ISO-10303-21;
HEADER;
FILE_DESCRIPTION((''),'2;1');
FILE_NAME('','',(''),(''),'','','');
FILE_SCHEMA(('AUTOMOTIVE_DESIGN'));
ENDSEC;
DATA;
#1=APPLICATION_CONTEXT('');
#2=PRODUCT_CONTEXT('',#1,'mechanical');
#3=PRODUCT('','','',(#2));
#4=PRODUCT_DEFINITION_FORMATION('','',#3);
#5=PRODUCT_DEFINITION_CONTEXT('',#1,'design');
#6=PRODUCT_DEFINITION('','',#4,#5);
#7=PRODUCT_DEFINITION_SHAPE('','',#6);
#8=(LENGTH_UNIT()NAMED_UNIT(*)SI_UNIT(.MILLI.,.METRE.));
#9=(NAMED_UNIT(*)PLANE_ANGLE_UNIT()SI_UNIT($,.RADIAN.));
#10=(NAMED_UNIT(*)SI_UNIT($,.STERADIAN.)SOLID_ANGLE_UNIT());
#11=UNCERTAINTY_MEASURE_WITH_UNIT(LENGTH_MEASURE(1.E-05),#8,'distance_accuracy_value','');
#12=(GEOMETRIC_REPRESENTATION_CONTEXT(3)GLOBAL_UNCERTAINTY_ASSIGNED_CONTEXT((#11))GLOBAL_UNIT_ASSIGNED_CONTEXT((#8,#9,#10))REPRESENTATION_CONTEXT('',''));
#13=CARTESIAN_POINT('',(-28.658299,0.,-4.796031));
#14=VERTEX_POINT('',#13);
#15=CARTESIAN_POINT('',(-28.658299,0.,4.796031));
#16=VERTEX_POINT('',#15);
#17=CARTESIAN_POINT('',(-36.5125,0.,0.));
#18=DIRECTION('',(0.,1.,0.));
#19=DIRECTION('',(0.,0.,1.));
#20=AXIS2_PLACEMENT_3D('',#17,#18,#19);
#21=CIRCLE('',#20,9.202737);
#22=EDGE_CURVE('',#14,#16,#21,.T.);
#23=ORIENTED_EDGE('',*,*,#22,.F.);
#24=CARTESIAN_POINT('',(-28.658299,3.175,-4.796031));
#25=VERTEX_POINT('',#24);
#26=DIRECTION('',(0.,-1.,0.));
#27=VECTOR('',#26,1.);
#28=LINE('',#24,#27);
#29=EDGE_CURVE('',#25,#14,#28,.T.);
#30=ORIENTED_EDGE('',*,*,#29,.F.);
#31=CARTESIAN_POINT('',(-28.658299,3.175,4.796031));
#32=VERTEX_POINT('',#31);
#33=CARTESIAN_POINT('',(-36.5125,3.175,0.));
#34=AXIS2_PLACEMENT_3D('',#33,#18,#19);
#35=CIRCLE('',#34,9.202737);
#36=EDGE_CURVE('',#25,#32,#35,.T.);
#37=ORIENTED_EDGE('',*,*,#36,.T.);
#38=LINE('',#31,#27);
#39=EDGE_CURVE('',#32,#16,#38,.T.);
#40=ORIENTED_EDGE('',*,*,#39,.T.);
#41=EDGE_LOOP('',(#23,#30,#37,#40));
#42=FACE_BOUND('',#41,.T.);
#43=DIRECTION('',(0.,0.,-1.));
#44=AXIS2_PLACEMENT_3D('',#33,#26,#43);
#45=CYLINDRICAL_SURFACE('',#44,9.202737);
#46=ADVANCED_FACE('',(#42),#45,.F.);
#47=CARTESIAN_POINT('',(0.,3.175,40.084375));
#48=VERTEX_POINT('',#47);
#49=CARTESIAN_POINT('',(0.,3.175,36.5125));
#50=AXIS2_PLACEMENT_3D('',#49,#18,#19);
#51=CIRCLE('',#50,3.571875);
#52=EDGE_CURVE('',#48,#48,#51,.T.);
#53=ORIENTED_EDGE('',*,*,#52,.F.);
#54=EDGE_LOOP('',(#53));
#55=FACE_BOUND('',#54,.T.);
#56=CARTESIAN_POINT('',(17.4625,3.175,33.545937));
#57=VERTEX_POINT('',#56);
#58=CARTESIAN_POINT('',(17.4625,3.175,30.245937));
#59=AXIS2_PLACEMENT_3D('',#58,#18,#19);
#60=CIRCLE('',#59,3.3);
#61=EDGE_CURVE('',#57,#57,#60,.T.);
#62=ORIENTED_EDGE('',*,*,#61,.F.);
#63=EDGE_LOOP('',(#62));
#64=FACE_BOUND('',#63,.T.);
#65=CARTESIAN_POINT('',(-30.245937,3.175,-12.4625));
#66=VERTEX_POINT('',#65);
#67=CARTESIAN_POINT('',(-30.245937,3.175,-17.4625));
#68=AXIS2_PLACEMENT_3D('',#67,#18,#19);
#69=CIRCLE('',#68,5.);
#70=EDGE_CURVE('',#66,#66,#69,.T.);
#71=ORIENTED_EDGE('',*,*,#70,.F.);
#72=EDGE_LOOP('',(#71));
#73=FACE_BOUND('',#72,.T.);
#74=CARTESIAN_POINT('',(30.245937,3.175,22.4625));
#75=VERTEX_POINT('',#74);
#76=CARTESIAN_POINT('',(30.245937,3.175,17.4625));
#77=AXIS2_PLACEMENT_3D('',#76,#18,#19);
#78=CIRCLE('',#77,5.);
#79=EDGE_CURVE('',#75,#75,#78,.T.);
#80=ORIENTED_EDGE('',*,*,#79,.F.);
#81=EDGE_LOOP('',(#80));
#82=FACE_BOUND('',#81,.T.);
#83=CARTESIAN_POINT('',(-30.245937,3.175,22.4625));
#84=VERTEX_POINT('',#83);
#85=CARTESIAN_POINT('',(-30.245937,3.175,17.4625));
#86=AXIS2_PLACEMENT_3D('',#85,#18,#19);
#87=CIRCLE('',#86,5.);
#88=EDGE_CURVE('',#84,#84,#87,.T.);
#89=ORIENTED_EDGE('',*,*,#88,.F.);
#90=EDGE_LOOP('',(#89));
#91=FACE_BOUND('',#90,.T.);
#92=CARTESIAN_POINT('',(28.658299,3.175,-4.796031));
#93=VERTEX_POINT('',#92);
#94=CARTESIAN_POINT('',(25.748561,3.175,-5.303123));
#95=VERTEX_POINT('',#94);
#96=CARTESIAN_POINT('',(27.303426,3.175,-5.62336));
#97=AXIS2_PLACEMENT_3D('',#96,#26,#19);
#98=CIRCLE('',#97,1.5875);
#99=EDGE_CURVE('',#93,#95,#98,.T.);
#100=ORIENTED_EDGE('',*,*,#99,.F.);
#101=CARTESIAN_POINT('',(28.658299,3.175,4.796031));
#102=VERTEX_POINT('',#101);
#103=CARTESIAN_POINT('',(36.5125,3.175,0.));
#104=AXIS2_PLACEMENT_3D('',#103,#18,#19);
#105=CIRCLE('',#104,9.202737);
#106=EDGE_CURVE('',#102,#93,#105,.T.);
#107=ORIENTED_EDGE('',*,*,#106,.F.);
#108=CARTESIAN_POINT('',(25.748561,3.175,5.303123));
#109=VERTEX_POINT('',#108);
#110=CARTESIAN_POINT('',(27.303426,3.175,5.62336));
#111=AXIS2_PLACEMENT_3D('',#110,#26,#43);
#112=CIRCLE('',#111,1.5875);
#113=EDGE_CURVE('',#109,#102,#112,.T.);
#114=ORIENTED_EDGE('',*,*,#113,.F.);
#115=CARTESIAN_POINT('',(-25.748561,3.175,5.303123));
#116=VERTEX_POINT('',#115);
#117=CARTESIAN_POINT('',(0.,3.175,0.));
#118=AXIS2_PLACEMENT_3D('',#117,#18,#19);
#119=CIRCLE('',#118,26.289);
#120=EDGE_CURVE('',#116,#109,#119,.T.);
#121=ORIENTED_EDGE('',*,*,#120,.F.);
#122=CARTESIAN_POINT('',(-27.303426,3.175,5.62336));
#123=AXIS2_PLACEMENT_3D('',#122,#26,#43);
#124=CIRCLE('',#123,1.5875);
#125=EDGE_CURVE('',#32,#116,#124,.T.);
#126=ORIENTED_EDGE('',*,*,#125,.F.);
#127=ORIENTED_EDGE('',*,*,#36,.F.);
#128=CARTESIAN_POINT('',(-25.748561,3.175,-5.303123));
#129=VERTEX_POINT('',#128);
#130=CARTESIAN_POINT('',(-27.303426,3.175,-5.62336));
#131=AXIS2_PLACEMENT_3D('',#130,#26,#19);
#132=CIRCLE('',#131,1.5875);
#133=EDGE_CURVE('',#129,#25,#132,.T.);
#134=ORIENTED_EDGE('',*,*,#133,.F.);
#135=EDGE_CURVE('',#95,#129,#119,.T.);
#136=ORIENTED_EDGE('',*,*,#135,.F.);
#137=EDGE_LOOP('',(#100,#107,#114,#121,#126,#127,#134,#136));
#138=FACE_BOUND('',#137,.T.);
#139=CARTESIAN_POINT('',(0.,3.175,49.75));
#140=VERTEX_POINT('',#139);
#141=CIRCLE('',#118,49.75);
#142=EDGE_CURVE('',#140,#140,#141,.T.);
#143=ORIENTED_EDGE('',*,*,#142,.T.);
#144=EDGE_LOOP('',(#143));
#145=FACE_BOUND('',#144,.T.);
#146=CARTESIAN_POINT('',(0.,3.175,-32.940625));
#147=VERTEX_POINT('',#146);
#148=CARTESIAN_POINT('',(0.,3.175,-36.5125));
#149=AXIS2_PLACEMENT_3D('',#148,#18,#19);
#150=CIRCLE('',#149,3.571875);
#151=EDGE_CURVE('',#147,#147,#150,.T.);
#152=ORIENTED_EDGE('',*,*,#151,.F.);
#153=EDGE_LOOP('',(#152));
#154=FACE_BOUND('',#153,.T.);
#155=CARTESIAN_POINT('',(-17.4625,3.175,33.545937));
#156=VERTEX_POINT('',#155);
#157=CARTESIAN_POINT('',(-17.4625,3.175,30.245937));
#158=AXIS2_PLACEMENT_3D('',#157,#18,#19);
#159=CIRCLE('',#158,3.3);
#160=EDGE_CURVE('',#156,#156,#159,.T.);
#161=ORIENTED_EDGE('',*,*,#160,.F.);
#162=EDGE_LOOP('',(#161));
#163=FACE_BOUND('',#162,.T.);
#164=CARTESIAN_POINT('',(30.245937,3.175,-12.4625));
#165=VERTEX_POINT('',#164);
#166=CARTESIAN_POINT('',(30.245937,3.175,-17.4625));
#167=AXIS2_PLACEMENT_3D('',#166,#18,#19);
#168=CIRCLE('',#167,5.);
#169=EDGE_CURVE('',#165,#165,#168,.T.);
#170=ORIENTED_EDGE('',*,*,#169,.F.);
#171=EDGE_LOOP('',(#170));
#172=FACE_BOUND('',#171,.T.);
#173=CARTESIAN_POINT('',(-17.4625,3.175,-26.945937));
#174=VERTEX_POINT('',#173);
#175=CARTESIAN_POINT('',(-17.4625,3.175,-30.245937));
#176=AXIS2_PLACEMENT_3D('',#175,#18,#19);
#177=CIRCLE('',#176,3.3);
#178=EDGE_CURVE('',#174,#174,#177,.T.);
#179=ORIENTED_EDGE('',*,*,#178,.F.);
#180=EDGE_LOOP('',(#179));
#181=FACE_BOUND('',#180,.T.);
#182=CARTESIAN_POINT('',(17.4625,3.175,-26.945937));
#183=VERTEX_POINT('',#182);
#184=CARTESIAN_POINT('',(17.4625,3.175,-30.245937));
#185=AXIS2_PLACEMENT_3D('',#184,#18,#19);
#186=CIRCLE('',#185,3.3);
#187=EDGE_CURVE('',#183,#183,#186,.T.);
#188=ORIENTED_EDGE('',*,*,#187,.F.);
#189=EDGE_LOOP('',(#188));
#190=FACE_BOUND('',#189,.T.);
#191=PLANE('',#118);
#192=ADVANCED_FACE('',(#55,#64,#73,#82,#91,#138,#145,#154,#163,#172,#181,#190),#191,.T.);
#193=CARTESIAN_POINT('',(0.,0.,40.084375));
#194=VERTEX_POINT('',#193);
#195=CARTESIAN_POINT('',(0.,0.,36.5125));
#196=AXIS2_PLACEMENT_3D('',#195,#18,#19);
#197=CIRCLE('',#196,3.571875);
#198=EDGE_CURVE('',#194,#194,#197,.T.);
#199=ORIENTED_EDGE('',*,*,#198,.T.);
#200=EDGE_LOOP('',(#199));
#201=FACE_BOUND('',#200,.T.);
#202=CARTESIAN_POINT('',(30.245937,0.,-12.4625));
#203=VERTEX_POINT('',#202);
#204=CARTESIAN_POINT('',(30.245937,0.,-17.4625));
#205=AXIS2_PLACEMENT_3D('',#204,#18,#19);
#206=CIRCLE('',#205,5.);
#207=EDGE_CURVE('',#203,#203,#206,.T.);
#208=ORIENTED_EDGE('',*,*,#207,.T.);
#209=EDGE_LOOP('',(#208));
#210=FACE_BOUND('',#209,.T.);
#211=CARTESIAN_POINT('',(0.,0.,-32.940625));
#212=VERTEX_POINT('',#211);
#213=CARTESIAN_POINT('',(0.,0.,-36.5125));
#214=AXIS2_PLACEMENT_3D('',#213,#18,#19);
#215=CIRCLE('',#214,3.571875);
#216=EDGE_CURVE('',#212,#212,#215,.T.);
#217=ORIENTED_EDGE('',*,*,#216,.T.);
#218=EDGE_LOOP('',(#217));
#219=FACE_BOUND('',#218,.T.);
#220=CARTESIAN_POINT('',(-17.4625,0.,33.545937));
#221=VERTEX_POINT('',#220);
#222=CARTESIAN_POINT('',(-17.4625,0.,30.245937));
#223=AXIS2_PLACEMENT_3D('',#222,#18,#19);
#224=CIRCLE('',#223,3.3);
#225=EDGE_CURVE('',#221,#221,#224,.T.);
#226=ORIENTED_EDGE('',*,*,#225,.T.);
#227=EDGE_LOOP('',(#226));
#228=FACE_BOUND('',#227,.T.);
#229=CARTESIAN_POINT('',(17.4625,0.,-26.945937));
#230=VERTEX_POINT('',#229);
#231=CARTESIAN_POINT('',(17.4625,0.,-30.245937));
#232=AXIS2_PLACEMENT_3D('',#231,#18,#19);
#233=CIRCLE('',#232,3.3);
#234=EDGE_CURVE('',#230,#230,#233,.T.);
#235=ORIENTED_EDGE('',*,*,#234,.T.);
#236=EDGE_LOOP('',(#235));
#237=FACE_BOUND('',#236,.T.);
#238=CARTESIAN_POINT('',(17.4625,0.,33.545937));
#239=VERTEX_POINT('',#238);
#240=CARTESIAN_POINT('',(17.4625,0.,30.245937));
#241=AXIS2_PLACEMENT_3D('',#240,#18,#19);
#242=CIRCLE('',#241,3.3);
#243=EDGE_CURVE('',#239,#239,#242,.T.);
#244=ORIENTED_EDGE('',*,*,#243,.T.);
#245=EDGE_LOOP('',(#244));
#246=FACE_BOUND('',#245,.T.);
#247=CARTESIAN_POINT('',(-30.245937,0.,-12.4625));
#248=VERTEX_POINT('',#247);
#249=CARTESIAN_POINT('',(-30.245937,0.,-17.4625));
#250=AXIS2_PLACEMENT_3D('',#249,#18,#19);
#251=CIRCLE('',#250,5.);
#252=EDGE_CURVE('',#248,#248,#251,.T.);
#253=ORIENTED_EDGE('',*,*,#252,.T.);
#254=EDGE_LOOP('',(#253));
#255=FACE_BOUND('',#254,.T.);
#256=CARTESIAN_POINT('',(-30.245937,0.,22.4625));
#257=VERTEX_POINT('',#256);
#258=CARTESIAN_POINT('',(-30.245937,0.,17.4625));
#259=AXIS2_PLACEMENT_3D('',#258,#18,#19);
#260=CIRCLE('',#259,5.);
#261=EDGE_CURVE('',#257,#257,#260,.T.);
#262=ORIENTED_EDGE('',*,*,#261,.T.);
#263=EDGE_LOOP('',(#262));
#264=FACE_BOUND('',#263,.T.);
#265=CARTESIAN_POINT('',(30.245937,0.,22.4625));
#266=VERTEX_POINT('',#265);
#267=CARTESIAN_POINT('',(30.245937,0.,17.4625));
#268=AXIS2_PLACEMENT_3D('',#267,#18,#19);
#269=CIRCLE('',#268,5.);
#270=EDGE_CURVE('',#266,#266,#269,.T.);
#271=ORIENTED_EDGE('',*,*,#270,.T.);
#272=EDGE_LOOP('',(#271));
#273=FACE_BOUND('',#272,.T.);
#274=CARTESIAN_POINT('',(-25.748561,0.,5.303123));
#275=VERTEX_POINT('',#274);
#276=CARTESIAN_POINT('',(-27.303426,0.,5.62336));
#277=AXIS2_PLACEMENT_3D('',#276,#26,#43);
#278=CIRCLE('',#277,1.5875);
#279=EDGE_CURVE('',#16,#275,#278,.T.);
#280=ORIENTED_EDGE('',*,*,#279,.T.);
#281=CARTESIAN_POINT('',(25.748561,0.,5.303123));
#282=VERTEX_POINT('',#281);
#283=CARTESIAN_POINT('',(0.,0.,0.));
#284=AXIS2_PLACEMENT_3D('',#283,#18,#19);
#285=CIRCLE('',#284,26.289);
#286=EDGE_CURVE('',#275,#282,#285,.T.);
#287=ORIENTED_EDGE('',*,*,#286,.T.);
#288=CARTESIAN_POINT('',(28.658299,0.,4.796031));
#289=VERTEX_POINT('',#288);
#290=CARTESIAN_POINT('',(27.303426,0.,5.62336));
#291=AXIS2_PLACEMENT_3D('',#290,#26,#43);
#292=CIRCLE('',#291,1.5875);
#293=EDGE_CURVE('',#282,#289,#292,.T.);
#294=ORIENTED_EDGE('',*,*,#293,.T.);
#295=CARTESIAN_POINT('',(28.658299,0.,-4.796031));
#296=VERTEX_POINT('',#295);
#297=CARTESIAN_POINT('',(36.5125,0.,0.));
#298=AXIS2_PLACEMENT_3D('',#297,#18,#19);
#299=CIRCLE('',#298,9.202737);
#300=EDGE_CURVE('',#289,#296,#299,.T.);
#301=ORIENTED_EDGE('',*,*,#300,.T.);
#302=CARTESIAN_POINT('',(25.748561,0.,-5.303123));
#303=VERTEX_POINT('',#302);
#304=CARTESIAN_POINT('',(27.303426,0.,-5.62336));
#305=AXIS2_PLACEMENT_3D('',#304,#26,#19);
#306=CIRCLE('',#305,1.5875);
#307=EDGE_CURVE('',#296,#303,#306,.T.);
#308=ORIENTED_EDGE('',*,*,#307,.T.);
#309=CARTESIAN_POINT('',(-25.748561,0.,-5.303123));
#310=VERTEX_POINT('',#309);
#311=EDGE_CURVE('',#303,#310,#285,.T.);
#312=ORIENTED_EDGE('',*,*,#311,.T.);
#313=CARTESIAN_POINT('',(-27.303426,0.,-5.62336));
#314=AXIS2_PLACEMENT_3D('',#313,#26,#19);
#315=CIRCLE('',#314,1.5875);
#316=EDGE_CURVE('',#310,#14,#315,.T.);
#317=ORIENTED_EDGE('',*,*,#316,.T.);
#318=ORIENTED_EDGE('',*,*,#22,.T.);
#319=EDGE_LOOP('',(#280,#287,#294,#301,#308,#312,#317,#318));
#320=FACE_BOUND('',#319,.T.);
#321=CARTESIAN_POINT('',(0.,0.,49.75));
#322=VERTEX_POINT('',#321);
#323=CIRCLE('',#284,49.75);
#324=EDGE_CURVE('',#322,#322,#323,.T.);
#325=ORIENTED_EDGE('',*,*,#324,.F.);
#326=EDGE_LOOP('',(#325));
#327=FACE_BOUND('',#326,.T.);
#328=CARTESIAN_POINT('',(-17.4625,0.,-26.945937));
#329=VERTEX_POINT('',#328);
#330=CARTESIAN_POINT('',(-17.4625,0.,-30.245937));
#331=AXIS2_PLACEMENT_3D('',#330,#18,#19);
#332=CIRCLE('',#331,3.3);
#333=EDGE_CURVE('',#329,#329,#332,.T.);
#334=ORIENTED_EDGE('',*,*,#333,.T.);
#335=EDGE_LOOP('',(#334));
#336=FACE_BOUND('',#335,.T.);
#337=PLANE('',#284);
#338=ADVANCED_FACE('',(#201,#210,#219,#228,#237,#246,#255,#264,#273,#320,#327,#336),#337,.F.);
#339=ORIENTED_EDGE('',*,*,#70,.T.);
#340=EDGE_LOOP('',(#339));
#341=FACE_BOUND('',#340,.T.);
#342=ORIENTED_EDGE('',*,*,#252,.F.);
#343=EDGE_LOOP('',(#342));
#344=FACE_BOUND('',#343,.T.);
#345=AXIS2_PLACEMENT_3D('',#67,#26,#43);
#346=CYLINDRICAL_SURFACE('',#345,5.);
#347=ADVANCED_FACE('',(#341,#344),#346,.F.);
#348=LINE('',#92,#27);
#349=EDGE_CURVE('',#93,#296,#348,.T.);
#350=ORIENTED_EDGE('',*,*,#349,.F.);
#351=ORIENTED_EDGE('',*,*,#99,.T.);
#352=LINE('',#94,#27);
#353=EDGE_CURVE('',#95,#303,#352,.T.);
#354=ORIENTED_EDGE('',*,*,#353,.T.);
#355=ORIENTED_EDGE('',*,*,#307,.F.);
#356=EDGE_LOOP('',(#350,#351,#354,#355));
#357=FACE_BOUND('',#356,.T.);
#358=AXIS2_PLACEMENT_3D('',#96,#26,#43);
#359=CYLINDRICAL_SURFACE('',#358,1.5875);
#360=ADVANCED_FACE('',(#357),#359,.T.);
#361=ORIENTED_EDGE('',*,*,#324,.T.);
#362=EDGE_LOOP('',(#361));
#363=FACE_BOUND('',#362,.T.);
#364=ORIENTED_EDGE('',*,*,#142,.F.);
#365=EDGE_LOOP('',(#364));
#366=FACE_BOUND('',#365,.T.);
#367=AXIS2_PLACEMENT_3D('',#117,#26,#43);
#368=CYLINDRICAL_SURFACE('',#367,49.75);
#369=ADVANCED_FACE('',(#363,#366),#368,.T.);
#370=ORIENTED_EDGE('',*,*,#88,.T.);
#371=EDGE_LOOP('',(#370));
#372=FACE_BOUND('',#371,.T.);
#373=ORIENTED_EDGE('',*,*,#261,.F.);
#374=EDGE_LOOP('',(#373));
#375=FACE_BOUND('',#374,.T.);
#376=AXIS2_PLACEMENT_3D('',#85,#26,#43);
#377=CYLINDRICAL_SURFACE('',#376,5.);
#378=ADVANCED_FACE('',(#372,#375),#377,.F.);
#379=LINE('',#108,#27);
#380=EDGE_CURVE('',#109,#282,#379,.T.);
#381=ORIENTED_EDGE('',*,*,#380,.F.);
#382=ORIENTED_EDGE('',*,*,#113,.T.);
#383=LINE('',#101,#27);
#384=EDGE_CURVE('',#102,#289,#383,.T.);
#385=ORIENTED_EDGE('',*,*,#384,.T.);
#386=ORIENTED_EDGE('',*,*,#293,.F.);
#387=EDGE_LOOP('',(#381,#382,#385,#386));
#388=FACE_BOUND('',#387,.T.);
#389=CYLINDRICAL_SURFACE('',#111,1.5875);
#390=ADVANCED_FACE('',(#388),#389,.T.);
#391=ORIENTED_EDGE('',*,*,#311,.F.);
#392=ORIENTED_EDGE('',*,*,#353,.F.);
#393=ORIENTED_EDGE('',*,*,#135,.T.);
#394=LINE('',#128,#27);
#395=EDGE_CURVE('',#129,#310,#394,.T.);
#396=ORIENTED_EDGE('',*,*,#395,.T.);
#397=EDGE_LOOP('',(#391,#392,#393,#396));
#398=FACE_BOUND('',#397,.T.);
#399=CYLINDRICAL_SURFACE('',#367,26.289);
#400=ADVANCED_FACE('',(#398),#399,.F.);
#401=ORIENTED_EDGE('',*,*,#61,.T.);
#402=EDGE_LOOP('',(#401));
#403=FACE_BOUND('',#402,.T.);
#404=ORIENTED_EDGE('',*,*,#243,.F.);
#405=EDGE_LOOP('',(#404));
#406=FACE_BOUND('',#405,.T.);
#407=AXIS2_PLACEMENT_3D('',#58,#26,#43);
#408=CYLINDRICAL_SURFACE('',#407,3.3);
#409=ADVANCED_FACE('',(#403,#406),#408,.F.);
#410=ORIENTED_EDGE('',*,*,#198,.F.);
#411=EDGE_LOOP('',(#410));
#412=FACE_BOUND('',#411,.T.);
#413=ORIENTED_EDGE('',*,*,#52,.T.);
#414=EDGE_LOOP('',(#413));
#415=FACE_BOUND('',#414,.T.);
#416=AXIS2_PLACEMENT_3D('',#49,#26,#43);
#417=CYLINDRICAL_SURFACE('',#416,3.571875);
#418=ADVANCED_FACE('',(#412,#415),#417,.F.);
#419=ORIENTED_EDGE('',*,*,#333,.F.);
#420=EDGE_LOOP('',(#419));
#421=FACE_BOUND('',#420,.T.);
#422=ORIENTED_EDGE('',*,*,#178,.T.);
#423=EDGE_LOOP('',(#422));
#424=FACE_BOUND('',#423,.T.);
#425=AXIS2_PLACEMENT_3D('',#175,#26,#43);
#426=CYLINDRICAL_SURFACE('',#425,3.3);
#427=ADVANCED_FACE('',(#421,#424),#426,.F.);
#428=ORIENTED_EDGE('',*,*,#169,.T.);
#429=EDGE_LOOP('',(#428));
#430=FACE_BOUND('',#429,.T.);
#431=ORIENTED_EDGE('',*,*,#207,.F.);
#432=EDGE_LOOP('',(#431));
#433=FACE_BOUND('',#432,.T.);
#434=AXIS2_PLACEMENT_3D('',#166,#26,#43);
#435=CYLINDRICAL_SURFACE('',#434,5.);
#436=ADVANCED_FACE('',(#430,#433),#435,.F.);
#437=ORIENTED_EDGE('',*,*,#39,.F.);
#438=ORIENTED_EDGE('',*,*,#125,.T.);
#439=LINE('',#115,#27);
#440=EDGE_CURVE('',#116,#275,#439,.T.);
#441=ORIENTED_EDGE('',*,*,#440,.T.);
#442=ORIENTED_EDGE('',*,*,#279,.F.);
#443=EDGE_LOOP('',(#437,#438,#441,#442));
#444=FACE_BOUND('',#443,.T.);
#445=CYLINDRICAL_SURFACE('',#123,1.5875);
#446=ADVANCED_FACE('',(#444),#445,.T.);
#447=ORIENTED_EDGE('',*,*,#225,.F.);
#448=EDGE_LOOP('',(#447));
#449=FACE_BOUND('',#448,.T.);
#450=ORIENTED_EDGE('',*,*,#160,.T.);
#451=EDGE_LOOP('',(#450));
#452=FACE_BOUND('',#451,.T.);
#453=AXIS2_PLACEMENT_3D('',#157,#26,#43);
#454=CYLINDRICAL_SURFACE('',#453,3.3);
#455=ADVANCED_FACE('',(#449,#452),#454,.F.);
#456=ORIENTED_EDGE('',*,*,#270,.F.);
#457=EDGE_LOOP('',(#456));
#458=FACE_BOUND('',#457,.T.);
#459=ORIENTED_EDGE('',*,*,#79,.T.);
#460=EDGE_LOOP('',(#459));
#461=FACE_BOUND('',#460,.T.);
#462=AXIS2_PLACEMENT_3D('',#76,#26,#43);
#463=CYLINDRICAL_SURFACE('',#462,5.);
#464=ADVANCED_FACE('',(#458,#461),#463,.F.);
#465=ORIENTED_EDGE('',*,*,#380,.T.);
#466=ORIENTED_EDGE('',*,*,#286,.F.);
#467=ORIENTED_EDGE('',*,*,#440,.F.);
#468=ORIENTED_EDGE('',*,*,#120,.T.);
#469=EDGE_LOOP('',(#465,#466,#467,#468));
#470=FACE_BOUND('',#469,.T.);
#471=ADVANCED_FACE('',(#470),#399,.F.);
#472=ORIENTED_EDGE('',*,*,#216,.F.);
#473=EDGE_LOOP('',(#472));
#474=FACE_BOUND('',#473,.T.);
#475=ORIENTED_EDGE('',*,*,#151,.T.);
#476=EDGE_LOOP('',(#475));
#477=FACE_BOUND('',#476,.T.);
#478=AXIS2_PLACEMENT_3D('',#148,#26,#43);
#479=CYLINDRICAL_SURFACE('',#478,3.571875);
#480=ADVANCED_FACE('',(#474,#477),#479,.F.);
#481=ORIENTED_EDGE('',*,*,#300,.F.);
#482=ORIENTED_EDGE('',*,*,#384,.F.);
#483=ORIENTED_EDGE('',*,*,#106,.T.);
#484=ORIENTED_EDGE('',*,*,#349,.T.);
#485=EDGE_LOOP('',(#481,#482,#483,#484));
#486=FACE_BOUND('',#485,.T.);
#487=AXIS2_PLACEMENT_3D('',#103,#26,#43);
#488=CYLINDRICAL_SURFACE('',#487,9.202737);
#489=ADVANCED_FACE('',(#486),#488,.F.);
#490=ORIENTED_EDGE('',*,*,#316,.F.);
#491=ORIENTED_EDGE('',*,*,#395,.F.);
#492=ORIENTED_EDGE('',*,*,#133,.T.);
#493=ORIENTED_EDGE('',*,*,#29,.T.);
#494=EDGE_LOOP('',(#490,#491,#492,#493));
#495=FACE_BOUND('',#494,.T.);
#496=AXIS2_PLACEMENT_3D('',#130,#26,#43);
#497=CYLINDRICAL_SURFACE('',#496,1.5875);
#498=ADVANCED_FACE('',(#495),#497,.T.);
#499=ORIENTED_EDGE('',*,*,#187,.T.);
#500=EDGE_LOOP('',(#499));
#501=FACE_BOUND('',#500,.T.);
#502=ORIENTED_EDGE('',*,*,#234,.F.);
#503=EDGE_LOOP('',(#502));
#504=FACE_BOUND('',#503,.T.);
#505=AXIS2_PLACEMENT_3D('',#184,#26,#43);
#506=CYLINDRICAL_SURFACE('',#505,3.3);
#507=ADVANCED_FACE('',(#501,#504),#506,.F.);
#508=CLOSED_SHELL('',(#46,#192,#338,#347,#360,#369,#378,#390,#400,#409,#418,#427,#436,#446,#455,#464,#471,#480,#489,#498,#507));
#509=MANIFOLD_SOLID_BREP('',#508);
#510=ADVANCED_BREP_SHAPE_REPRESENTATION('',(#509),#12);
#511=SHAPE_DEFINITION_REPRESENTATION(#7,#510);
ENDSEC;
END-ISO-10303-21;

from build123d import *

# Parameters (mm, degrees)
SKETCH1_R           = 49.75
SKETCH1_R_2         = 3.571875
SKETCH1_R_3         = 5
SKETCH1_R_4         = 3.3
BOSS_EXTRUDE1_DEPTH = 3.175


with BuildPart() as part:
    # Sketch1 → Boss-Extrude1 (new body)
    with BuildSketch(Plane(origin=(0, 0, 0), x_dir=(1, 0, 0), z_dir=(0, 1, 0))):
        with Locations(Location((0, 0, 0), (0, 0, 270))):
            Circle(SKETCH1_R)
        with Locations(Location((0, 36.5125, 0), (0, 0, 270))):
            Circle(SKETCH1_R_2, mode=Mode.SUBTRACT)
        with Locations(Location((0, -36.5125, 0), (0, 0, 270))):
            Circle(SKETCH1_R_2, mode=Mode.SUBTRACT)
        with Locations(Location((30.245937227, -17.4625, 0), (0, 0, 270))):
            Circle(SKETCH1_R_3, mode=Mode.SUBTRACT)
        with Locations(Location((17.4625, 30.245937227, 0), (0, 0, 270))):
            Circle(SKETCH1_R_4, mode=Mode.SUBTRACT)
        with Locations(Location((-30.245937227, 17.4625, 0), (0, 0, 270))):
            Circle(SKETCH1_R_3, mode=Mode.SUBTRACT)
        with Locations(Location((-17.4625, 30.245937227, 0), (0, 0, 270))):
            Circle(SKETCH1_R_4, mode=Mode.SUBTRACT)
        with Locations(Location((-17.4625, -30.245937227, 0), (0, 0, 270))):
            Circle(SKETCH1_R_4, mode=Mode.SUBTRACT)
        with Locations(Location((17.4625, -30.245937227, 0), (0, 0, 270))):
            Circle(SKETCH1_R_4, mode=Mode.SUBTRACT)
        with Locations(Location((30.245937227, 17.4625, 0), (0, 0, 270))):
            Circle(SKETCH1_R_3, mode=Mode.SUBTRACT)
        with Locations(Location((-30.245937227, -17.4625, 0), (0, 0, 270))):
            Circle(SKETCH1_R_3, mode=Mode.SUBTRACT)
        with BuildLine():
            ThreePointArc((-25.748561188, -5.303123397), (0, -26.289), (25.748561188, -5.303123397))
            ThreePointArc((25.748561188, -5.303123397), (27.03087337, -4.059432148), (28.658299321, -4.796030566))
            ThreePointArc((28.658299321, -4.796030566), (45.7152375, 0), (28.658299321, 4.796030566))
            ThreePointArc((28.658299321, 4.796030566), (27.03087337, 4.059432148), (25.748561188, 5.303123397))
            ThreePointArc((25.748561188, 5.303123397), (0, 26.289), (-25.748561188, 5.303123397))
            ThreePointArc((-25.748561188, 5.303123397), (-27.03087337, 4.059432148), (-28.658299321, 4.796030566))
            ThreePointArc((-28.658299321, 4.796030566), (-45.7152375, 0), (-28.658299321, -4.796030566))
            ThreePointArc((-28.658299321, -4.796030566), (-27.03087337, -4.059432148), (-25.748561188, -5.303123397))
        make_face(mode=Mode.SUBTRACT)
    extrude(amount=BOSS_EXTRUDE1_DEPTH)


solid = part.part
